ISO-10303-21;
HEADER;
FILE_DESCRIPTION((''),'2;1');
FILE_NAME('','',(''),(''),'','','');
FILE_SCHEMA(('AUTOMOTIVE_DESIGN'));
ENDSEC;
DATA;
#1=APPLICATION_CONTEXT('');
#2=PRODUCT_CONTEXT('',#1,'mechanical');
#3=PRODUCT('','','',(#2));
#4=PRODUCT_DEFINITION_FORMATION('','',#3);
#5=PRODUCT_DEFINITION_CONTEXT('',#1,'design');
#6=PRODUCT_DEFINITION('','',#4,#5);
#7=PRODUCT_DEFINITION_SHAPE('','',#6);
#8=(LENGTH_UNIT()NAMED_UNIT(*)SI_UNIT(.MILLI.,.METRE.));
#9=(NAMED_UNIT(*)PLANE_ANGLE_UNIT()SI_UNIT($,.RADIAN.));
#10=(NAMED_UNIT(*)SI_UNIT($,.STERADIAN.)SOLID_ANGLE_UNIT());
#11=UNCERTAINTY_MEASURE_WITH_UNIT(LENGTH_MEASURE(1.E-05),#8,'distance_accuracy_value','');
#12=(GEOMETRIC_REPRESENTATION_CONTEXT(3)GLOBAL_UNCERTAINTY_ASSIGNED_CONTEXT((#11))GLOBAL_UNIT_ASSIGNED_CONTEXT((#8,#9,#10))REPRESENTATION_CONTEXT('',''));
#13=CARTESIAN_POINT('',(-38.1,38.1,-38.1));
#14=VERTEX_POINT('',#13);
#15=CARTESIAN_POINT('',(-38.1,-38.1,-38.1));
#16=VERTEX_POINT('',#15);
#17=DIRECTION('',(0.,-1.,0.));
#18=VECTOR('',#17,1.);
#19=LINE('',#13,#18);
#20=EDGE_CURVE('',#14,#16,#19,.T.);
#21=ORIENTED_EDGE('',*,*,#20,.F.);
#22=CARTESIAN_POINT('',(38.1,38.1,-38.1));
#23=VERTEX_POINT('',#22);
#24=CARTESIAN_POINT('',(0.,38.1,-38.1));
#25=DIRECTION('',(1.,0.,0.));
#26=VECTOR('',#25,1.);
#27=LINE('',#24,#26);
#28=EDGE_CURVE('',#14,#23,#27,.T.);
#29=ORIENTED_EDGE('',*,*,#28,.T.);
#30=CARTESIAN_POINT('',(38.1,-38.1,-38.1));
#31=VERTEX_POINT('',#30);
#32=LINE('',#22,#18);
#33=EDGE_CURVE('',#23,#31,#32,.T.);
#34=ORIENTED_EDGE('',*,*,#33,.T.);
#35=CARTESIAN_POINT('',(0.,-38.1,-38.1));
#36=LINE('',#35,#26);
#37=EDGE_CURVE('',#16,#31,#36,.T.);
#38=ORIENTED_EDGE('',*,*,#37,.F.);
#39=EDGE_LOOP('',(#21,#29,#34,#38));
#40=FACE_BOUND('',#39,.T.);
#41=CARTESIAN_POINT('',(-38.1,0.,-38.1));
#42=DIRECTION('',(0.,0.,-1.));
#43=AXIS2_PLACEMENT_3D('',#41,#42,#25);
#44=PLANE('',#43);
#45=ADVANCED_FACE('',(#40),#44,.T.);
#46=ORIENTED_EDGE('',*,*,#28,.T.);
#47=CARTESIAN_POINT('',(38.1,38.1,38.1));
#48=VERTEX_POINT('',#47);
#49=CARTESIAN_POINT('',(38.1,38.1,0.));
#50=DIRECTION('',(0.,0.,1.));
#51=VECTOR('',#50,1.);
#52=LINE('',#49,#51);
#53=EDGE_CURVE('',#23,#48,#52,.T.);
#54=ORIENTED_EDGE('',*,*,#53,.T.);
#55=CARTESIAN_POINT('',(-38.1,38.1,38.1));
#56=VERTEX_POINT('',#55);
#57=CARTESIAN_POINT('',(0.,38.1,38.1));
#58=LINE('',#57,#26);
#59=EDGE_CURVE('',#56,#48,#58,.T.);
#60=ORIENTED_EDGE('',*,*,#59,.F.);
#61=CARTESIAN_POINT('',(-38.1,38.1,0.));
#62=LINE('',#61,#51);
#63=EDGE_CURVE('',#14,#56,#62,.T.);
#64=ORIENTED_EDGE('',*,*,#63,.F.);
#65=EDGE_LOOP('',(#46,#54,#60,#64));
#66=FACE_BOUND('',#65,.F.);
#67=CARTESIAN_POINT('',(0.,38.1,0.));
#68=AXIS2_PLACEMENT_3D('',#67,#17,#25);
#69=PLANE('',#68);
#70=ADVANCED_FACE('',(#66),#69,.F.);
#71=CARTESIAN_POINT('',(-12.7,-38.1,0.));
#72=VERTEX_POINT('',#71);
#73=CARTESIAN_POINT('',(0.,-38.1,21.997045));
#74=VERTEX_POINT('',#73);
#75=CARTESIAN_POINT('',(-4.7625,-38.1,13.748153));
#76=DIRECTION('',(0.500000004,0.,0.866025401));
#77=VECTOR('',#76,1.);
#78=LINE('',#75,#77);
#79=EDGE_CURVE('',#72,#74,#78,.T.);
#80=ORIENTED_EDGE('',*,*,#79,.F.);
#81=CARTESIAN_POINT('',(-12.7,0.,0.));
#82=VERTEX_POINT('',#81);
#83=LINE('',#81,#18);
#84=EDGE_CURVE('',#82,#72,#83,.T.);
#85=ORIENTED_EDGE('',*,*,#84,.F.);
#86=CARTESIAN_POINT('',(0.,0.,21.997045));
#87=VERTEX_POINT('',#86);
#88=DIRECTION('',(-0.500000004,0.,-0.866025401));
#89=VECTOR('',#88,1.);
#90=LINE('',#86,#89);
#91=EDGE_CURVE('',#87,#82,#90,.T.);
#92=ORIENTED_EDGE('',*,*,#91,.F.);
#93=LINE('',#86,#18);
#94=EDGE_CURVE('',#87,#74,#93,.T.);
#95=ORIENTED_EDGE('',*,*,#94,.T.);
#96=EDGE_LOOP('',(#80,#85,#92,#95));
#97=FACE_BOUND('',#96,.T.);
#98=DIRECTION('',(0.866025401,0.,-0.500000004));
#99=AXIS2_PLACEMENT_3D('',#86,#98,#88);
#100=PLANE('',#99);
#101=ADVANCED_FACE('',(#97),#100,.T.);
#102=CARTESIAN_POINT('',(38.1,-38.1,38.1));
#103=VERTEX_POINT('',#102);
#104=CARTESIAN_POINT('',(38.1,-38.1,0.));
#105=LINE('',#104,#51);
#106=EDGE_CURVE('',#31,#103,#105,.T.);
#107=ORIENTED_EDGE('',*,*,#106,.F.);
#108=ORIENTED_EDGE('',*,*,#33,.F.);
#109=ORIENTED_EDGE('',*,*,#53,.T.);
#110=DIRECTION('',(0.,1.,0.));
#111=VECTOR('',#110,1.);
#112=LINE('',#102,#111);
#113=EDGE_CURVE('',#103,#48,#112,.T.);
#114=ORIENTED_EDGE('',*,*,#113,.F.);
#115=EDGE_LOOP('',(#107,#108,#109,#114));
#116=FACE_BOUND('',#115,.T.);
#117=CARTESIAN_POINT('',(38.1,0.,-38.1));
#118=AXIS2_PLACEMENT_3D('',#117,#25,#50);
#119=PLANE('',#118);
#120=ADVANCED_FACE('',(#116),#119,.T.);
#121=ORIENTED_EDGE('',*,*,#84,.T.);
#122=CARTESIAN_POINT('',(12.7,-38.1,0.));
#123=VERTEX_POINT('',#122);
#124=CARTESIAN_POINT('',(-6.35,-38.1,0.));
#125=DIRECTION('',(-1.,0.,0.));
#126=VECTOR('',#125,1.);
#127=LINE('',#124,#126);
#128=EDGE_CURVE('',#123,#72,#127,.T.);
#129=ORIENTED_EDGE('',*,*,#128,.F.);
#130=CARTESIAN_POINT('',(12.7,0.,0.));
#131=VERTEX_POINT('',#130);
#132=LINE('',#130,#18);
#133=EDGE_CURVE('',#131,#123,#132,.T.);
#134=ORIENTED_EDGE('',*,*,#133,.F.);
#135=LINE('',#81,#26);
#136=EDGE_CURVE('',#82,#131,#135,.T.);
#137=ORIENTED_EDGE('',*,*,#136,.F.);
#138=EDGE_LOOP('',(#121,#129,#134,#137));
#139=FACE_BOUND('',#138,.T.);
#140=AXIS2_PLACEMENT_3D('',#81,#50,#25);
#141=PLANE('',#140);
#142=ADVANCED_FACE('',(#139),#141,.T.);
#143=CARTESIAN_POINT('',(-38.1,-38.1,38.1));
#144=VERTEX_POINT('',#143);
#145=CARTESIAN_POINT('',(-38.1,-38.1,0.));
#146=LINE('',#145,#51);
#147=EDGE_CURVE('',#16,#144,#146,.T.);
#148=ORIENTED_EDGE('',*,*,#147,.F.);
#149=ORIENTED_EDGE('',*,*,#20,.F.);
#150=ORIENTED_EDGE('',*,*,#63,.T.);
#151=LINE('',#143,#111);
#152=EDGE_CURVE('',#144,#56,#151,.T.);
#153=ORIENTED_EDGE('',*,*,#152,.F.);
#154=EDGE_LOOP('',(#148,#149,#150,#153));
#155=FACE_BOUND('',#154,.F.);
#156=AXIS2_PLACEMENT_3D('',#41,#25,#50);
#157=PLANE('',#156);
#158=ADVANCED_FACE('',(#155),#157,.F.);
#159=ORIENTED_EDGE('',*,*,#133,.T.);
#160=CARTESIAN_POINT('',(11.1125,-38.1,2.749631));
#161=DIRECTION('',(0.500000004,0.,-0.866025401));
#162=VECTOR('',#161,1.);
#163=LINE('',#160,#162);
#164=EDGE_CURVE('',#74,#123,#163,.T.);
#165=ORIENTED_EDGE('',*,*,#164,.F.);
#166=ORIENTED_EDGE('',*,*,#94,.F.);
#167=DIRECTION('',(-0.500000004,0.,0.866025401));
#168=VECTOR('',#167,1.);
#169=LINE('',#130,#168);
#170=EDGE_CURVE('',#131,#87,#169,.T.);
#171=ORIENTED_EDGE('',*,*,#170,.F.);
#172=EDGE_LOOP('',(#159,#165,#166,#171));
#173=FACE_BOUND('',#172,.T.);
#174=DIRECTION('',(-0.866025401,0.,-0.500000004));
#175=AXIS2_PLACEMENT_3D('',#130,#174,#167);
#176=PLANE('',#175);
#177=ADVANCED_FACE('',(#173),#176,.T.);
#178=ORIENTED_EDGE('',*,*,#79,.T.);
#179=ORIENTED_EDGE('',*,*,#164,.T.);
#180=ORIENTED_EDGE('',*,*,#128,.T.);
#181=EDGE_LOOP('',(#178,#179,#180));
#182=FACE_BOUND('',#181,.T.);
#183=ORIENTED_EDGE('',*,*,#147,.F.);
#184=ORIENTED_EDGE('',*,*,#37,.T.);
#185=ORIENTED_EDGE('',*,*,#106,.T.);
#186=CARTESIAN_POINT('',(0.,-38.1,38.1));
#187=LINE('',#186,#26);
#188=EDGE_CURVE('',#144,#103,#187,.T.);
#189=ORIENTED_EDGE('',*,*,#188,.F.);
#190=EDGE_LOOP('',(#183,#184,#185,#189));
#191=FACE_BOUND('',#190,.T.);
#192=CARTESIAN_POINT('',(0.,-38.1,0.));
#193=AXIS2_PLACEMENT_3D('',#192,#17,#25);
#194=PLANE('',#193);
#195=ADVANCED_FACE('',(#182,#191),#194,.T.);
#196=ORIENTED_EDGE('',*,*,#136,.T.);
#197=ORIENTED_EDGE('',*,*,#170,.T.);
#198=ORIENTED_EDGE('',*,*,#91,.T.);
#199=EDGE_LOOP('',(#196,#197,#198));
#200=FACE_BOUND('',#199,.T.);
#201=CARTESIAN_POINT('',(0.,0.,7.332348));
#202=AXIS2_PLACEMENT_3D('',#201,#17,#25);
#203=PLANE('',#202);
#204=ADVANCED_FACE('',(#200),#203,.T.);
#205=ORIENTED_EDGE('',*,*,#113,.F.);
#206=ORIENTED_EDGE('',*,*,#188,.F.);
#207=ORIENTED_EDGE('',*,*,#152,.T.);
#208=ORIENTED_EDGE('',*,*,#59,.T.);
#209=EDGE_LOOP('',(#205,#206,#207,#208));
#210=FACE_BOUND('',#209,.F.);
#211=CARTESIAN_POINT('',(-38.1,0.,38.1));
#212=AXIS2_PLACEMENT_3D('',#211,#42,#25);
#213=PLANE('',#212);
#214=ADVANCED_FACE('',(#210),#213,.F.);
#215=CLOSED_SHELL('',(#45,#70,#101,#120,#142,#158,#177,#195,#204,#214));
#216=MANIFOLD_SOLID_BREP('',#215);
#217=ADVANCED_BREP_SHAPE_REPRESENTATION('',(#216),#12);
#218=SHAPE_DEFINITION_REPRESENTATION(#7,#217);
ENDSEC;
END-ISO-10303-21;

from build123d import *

# Parameters (mm, degrees)
F0_W     = 76.2
F0_H     = 76.2
F1_DEPTH = 38.1
F3_DEPTH = 38.101


with BuildPart() as f1:
    # F0 (on Front) → F1 (new body, symmetric)
    with BuildSketch(Plane.XZ):
        Rectangle(F0_W, F0_H)
    extrude(amount=F1_DEPTH, both=True)

    # F2 (on Front) → F3 (cut, through all)
    with BuildSketch(Plane.XZ):
        Polygon((0, 21.997045), (-12.7, 0), (12.7, 0), align=None)
    extrude(amount=F3_DEPTH, mode=Mode.SUBTRACT)


solid = f1.part
